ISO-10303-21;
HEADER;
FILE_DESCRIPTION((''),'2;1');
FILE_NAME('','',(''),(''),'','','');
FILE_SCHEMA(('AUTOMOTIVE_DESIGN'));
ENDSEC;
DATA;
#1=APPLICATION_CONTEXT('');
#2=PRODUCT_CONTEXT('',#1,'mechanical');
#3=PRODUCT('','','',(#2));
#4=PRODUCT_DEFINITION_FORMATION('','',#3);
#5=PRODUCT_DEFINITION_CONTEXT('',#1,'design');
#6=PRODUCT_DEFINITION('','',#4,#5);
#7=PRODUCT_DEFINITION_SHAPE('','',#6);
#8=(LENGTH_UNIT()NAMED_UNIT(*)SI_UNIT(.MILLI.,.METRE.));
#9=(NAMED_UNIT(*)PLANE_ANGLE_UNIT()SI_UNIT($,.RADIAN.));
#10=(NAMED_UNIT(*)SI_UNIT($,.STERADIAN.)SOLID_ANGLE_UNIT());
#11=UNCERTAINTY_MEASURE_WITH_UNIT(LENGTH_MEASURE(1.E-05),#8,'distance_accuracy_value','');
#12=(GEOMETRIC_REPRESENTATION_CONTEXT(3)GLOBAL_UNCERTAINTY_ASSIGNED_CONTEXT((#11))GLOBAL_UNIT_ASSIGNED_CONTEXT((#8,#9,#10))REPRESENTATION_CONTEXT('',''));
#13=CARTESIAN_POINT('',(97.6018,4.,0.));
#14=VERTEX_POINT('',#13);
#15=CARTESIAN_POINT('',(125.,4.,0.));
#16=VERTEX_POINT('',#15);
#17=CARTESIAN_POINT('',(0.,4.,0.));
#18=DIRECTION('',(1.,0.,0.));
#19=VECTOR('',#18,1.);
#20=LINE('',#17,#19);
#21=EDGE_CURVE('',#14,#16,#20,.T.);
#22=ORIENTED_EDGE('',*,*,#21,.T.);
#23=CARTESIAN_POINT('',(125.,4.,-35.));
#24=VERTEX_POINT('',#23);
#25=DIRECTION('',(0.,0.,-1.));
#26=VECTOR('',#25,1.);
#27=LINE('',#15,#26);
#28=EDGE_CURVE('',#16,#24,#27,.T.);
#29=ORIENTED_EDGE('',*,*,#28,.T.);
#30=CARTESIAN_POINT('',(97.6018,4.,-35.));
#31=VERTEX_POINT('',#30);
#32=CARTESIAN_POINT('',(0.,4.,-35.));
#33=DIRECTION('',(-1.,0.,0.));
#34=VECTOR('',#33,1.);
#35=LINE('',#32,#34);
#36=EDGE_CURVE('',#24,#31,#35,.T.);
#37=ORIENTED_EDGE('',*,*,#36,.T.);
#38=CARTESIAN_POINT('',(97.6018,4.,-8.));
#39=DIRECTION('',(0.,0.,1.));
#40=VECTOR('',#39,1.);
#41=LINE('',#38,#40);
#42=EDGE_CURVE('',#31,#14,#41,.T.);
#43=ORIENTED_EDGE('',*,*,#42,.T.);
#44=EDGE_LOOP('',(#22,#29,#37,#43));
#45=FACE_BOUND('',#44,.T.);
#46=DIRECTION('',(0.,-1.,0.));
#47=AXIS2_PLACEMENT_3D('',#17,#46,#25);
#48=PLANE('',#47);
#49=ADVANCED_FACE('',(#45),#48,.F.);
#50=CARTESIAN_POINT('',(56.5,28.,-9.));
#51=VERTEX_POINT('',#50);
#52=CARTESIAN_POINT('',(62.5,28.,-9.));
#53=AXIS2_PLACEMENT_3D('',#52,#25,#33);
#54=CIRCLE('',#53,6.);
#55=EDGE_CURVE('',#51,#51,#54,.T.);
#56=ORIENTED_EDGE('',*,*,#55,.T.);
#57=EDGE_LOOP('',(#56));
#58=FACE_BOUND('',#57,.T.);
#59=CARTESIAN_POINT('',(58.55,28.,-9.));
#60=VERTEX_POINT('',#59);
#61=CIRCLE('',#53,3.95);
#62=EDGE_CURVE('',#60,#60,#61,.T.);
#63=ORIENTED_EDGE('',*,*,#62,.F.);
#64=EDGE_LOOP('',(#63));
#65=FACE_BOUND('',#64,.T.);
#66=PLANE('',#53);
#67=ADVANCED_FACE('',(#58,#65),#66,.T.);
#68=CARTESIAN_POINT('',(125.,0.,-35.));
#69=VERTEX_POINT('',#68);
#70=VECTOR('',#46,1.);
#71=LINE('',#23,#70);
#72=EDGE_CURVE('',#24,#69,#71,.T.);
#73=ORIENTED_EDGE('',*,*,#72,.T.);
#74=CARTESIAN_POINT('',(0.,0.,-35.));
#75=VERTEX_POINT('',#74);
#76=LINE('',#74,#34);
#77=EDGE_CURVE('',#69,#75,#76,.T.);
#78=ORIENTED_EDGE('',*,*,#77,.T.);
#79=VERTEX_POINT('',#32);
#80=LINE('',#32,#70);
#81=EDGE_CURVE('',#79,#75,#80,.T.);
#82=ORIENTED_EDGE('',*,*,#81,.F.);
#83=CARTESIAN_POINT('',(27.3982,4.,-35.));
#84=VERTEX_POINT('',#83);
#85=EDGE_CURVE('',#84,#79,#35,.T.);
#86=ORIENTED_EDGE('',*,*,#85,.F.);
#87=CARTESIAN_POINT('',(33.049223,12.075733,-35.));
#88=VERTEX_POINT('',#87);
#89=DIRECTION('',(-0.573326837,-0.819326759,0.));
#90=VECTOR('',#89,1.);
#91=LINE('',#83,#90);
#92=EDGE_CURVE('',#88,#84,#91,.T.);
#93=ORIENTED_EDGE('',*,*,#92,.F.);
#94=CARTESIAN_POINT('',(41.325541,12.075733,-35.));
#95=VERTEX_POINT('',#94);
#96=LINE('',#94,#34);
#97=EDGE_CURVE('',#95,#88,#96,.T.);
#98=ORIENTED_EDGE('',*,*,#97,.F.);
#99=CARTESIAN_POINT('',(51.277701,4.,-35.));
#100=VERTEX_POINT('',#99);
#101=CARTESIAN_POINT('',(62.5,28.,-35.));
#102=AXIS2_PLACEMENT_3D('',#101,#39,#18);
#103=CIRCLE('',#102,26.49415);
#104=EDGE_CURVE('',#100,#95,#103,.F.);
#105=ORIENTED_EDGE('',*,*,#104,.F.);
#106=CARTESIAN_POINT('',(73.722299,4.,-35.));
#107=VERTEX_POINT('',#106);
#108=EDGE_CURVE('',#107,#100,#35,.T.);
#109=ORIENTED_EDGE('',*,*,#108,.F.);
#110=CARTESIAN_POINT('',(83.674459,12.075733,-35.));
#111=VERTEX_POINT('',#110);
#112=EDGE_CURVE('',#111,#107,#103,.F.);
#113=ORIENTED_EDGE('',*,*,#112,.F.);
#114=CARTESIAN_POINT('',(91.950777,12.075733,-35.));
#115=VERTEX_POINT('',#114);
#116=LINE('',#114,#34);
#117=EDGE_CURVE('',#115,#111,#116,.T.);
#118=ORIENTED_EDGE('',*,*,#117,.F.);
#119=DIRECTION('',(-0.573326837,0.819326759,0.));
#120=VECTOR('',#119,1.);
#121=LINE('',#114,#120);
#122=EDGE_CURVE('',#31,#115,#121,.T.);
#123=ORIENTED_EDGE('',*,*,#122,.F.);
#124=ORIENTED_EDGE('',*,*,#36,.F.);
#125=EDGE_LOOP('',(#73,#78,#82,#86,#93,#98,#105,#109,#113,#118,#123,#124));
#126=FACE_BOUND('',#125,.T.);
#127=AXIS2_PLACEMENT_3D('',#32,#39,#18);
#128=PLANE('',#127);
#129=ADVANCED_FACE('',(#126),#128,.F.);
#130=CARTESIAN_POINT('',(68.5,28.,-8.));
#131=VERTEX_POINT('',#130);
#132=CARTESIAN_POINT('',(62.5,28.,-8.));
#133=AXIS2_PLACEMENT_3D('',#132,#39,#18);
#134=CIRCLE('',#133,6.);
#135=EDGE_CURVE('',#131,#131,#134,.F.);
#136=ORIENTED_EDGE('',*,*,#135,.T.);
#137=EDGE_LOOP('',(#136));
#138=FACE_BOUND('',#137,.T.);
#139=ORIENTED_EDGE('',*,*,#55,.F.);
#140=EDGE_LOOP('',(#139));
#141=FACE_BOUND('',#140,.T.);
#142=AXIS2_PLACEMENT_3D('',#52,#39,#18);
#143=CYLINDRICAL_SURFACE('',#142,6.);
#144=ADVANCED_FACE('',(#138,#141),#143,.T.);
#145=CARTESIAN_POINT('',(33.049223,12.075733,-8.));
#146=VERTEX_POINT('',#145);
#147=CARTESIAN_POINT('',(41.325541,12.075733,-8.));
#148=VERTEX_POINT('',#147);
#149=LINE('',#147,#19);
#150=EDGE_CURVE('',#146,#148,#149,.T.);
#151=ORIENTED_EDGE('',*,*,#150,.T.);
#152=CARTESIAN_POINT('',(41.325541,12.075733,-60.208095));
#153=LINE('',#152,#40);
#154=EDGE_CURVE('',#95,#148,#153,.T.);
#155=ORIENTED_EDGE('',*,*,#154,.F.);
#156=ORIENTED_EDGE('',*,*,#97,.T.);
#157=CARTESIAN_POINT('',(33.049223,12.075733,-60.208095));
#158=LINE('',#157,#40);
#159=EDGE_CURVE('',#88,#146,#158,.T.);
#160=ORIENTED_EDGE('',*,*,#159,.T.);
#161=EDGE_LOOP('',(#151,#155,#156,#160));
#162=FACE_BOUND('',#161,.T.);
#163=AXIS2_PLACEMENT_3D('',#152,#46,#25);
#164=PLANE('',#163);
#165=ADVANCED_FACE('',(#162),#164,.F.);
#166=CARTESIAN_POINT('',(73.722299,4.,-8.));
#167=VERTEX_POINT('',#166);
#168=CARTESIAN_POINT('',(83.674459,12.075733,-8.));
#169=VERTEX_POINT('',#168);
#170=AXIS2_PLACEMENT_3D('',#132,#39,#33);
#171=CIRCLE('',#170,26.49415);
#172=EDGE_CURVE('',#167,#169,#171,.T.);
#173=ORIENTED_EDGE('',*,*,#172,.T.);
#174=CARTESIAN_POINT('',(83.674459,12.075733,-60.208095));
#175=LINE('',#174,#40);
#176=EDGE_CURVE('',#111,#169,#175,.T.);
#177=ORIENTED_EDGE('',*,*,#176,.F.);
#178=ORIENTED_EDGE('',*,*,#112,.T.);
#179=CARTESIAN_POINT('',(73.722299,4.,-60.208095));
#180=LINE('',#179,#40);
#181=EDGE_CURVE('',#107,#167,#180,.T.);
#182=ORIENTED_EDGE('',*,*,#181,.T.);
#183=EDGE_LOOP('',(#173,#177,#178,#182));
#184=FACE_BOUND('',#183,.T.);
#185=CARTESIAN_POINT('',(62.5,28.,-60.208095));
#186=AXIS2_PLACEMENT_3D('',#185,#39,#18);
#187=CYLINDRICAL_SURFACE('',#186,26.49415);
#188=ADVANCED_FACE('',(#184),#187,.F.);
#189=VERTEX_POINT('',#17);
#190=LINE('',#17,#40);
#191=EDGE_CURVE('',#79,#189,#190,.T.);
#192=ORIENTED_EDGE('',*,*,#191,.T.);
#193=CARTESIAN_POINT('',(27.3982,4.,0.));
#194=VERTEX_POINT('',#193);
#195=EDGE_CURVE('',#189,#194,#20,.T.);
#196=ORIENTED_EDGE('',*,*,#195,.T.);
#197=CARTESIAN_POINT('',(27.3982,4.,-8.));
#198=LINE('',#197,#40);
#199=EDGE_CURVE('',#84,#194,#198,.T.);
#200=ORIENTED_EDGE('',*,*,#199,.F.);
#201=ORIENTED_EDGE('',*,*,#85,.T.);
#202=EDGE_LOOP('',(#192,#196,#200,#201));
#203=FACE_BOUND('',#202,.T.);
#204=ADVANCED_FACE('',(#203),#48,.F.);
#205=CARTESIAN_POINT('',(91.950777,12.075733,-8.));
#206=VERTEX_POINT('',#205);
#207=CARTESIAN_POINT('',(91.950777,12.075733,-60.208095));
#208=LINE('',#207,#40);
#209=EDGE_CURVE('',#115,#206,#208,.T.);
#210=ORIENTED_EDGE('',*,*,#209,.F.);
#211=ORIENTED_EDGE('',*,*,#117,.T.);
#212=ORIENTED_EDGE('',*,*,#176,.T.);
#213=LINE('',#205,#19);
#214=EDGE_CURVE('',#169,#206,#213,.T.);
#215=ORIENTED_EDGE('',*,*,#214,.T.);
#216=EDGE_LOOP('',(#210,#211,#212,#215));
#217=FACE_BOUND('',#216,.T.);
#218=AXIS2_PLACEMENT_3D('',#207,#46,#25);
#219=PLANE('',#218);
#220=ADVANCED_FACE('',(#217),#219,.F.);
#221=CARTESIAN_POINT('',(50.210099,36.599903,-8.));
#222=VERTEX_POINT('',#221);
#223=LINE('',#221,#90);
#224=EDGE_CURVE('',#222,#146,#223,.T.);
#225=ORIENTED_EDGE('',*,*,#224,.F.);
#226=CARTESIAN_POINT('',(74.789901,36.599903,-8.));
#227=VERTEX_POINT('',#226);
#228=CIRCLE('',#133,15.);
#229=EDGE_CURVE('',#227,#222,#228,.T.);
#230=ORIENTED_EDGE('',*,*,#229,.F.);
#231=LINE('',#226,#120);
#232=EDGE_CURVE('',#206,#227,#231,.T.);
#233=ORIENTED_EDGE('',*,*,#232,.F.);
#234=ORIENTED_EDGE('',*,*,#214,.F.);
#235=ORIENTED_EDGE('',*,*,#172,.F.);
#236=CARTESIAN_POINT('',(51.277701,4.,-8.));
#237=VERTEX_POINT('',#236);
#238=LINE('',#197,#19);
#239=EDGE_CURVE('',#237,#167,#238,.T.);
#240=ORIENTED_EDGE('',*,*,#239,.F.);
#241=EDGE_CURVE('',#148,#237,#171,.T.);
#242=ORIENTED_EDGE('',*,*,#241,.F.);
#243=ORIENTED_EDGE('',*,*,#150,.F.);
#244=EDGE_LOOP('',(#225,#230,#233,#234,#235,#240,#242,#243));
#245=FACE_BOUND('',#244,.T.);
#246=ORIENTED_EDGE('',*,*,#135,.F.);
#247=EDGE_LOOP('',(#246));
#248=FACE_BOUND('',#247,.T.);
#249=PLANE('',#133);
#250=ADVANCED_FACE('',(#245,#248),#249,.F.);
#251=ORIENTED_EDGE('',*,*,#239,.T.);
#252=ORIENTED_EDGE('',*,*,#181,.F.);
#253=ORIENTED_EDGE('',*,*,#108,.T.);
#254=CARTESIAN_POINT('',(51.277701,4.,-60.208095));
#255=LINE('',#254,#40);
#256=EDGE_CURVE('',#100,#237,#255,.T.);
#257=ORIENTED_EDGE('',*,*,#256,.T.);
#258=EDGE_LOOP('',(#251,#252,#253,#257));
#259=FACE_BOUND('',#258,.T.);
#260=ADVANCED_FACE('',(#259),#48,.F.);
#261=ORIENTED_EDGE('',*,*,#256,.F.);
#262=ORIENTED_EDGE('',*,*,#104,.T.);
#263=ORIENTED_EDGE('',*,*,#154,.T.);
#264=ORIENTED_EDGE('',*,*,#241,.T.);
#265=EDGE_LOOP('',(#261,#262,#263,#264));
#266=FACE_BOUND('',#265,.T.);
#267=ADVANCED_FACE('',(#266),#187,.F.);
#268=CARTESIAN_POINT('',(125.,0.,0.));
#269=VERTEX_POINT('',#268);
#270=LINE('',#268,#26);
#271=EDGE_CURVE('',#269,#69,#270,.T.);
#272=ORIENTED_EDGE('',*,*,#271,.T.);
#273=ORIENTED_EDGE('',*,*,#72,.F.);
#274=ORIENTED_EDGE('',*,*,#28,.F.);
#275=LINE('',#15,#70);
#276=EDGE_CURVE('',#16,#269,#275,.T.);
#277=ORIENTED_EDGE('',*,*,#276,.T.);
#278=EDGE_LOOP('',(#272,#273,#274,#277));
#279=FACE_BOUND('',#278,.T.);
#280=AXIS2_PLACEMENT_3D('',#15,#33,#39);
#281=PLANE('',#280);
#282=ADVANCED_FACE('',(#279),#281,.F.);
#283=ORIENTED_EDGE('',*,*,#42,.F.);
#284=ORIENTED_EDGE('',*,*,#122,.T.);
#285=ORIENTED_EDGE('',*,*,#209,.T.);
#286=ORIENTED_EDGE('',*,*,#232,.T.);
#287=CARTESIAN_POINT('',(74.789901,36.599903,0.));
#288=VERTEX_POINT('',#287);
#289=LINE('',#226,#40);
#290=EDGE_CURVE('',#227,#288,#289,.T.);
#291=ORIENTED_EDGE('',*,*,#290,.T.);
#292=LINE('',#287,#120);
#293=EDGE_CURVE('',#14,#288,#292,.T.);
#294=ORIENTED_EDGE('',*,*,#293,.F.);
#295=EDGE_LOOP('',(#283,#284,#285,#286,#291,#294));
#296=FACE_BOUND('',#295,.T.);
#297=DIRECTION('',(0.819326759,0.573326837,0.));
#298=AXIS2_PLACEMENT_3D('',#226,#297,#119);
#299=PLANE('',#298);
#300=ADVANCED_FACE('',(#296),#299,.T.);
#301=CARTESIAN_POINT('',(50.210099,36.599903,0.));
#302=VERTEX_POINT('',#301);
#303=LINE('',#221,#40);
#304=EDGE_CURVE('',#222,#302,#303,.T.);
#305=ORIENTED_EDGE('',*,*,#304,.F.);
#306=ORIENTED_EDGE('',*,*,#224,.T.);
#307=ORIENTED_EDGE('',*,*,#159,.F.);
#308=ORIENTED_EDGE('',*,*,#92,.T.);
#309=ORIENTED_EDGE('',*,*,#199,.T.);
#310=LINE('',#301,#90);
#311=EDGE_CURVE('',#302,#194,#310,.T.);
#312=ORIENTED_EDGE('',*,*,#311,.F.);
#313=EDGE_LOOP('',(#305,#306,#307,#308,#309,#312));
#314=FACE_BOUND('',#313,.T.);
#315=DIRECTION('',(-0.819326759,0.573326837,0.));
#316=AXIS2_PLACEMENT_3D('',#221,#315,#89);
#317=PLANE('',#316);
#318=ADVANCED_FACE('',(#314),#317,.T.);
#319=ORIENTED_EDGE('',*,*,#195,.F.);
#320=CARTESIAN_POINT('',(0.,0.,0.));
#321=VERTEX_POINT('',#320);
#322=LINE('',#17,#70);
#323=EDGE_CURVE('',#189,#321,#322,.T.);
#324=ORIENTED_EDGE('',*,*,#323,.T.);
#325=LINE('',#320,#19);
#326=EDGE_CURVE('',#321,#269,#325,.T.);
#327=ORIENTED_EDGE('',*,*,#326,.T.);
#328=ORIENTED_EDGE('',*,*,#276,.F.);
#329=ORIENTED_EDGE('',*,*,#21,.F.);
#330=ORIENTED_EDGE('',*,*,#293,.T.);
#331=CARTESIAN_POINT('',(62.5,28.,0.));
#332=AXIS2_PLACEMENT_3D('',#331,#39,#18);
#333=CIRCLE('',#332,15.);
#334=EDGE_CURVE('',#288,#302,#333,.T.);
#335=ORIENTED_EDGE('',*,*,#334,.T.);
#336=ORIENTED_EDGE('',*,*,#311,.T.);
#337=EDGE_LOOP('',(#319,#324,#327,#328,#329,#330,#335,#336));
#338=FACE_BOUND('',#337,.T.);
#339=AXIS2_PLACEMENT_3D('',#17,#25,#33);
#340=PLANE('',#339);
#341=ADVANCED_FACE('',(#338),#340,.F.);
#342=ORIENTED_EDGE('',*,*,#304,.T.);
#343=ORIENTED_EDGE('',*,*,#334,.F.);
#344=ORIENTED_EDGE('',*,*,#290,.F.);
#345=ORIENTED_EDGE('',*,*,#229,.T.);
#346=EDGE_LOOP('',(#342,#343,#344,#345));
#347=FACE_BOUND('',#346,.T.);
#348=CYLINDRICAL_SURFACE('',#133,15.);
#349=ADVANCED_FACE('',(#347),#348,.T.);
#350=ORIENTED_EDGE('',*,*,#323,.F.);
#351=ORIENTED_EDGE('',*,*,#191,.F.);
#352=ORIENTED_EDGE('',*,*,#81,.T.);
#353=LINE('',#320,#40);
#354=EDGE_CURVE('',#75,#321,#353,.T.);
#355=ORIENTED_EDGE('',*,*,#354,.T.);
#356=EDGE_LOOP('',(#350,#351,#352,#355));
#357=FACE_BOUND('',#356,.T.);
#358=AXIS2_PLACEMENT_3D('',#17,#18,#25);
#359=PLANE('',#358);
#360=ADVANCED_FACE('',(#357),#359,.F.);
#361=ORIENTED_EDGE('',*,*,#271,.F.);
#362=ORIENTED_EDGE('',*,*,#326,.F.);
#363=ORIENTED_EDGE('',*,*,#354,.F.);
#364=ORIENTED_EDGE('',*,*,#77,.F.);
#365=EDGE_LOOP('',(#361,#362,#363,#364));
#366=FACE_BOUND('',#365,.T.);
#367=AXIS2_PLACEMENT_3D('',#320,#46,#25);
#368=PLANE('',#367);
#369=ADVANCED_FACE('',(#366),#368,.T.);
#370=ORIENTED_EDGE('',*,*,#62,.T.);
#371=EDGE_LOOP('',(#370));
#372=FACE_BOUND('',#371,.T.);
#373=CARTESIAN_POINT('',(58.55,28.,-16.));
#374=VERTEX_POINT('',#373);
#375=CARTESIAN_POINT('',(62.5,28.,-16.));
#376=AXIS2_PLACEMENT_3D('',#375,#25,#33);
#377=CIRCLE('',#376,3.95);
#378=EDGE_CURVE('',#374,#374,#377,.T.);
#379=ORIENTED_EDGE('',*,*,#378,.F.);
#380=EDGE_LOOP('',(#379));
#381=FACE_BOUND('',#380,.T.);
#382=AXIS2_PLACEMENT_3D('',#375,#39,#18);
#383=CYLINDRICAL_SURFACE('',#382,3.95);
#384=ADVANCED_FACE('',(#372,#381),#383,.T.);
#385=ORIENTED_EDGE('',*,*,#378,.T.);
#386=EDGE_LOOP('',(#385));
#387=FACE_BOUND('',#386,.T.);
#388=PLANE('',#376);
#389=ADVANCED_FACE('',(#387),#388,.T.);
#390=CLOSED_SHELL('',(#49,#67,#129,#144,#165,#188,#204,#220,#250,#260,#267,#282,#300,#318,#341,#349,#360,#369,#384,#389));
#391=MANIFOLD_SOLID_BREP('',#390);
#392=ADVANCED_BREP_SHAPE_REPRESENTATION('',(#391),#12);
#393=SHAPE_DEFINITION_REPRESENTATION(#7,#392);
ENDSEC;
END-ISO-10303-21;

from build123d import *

# Parameters (mm, degrees)
SKETCH1_W           = 125
SKETCH1_H           = 35
BOSS_EXTRUDE1_DEPTH = 4
BOSS_EXTRUDE2_DEPTH = 8
SKETCH4_R           = 6
BOSS_EXTRUDE3_DEPTH = 1
SKETCH5_R           = 3.95
BOSS_EXTRUDE4_DEPTH = 7
BOSS_EXTRUDE5_DEPTH = 27


with BuildPart() as part:
    # Sketch1 → Boss-Extrude1 (new body)
    with BuildSketch(Plane(origin=(0, 0, 0), x_dir=(1, 0, 0), z_dir=(0, 1, 0))):
        with Locations((62.5, 17.5)):
            Rectangle(SKETCH1_W, SKETCH1_H)
    extrude(amount=BOSS_EXTRUDE1_DEPTH)

    # Sketch3 → Boss-Extrude2 (add)
    with BuildSketch(Plane.XY):
        with BuildLine():
            Line((50.210098614, 36.599902553), (27.398199936, 4))
            Line((27.398199936, 4), (97.601800064, 4))
            Line((97.601800064, 4), (74.789901386, 36.599902553))
            ThreePointArc((74.789901386, 36.599902553), (62.5, 43), (50.210098614, 36.599902553))
        make_face()
    extrude(amount=-BOSS_EXTRUDE2_DEPTH)

    # Sketch4 → Boss-Extrude3 (add)
    with BuildSketch(Plane(origin=(0, 0, -8), x_dir=(-1, 0, 0), z_dir=(0, 0, -1))):
        with Locations(Location((-62.5, 28, 0), (0, 0, 180))):
            Circle(SKETCH4_R)
    extrude(amount=BOSS_EXTRUDE3_DEPTH)

    # Sketch5 → Boss-Extrude4 (add)
    with BuildSketch(Plane(origin=(0, 0, -9), x_dir=(-1, 0, 0), z_dir=(0, 0, -1))):
        with Locations((-62.5, 28)):
            Circle(SKETCH5_R)
    extrude(amount=BOSS_EXTRUDE4_DEPTH)

    # Sketch8 → Boss-Extrude5 (add)
    with BuildSketch(Plane(origin=(0, 0, -8), x_dir=(-1, 0, 0), z_dir=(0, 0, -1))):
        with BuildLine():
            Line((-51.277701451, 4), (-27.398199936, 4))
            Line((-27.398199936, 4), (-33.049223109, 12.07573308))
            Line((-33.049223109, 12.07573308), (-41.325541145, 12.07573308))
            ThreePointArc((-41.325541145, 12.07573308), (-45.805934025, 7.427004448), (-51.277701451, 4))
        make_face()
        with BuildLine():
            Line((-91.950776891, 12.07573308), (-83.674458855, 12.07573308))
            ThreePointArc((-83.674458855, 12.07573308), (-79.194065975, 7.427004448), (-73.722298549, 4))
            Line((-73.722298549, 4), (-97.601800064, 4))
            Line((-97.601800064, 4), (-91.950776891, 12.07573308))
        make_face()
    extrude(amount=BOSS_EXTRUDE5_DEPTH)


solid = part.part
